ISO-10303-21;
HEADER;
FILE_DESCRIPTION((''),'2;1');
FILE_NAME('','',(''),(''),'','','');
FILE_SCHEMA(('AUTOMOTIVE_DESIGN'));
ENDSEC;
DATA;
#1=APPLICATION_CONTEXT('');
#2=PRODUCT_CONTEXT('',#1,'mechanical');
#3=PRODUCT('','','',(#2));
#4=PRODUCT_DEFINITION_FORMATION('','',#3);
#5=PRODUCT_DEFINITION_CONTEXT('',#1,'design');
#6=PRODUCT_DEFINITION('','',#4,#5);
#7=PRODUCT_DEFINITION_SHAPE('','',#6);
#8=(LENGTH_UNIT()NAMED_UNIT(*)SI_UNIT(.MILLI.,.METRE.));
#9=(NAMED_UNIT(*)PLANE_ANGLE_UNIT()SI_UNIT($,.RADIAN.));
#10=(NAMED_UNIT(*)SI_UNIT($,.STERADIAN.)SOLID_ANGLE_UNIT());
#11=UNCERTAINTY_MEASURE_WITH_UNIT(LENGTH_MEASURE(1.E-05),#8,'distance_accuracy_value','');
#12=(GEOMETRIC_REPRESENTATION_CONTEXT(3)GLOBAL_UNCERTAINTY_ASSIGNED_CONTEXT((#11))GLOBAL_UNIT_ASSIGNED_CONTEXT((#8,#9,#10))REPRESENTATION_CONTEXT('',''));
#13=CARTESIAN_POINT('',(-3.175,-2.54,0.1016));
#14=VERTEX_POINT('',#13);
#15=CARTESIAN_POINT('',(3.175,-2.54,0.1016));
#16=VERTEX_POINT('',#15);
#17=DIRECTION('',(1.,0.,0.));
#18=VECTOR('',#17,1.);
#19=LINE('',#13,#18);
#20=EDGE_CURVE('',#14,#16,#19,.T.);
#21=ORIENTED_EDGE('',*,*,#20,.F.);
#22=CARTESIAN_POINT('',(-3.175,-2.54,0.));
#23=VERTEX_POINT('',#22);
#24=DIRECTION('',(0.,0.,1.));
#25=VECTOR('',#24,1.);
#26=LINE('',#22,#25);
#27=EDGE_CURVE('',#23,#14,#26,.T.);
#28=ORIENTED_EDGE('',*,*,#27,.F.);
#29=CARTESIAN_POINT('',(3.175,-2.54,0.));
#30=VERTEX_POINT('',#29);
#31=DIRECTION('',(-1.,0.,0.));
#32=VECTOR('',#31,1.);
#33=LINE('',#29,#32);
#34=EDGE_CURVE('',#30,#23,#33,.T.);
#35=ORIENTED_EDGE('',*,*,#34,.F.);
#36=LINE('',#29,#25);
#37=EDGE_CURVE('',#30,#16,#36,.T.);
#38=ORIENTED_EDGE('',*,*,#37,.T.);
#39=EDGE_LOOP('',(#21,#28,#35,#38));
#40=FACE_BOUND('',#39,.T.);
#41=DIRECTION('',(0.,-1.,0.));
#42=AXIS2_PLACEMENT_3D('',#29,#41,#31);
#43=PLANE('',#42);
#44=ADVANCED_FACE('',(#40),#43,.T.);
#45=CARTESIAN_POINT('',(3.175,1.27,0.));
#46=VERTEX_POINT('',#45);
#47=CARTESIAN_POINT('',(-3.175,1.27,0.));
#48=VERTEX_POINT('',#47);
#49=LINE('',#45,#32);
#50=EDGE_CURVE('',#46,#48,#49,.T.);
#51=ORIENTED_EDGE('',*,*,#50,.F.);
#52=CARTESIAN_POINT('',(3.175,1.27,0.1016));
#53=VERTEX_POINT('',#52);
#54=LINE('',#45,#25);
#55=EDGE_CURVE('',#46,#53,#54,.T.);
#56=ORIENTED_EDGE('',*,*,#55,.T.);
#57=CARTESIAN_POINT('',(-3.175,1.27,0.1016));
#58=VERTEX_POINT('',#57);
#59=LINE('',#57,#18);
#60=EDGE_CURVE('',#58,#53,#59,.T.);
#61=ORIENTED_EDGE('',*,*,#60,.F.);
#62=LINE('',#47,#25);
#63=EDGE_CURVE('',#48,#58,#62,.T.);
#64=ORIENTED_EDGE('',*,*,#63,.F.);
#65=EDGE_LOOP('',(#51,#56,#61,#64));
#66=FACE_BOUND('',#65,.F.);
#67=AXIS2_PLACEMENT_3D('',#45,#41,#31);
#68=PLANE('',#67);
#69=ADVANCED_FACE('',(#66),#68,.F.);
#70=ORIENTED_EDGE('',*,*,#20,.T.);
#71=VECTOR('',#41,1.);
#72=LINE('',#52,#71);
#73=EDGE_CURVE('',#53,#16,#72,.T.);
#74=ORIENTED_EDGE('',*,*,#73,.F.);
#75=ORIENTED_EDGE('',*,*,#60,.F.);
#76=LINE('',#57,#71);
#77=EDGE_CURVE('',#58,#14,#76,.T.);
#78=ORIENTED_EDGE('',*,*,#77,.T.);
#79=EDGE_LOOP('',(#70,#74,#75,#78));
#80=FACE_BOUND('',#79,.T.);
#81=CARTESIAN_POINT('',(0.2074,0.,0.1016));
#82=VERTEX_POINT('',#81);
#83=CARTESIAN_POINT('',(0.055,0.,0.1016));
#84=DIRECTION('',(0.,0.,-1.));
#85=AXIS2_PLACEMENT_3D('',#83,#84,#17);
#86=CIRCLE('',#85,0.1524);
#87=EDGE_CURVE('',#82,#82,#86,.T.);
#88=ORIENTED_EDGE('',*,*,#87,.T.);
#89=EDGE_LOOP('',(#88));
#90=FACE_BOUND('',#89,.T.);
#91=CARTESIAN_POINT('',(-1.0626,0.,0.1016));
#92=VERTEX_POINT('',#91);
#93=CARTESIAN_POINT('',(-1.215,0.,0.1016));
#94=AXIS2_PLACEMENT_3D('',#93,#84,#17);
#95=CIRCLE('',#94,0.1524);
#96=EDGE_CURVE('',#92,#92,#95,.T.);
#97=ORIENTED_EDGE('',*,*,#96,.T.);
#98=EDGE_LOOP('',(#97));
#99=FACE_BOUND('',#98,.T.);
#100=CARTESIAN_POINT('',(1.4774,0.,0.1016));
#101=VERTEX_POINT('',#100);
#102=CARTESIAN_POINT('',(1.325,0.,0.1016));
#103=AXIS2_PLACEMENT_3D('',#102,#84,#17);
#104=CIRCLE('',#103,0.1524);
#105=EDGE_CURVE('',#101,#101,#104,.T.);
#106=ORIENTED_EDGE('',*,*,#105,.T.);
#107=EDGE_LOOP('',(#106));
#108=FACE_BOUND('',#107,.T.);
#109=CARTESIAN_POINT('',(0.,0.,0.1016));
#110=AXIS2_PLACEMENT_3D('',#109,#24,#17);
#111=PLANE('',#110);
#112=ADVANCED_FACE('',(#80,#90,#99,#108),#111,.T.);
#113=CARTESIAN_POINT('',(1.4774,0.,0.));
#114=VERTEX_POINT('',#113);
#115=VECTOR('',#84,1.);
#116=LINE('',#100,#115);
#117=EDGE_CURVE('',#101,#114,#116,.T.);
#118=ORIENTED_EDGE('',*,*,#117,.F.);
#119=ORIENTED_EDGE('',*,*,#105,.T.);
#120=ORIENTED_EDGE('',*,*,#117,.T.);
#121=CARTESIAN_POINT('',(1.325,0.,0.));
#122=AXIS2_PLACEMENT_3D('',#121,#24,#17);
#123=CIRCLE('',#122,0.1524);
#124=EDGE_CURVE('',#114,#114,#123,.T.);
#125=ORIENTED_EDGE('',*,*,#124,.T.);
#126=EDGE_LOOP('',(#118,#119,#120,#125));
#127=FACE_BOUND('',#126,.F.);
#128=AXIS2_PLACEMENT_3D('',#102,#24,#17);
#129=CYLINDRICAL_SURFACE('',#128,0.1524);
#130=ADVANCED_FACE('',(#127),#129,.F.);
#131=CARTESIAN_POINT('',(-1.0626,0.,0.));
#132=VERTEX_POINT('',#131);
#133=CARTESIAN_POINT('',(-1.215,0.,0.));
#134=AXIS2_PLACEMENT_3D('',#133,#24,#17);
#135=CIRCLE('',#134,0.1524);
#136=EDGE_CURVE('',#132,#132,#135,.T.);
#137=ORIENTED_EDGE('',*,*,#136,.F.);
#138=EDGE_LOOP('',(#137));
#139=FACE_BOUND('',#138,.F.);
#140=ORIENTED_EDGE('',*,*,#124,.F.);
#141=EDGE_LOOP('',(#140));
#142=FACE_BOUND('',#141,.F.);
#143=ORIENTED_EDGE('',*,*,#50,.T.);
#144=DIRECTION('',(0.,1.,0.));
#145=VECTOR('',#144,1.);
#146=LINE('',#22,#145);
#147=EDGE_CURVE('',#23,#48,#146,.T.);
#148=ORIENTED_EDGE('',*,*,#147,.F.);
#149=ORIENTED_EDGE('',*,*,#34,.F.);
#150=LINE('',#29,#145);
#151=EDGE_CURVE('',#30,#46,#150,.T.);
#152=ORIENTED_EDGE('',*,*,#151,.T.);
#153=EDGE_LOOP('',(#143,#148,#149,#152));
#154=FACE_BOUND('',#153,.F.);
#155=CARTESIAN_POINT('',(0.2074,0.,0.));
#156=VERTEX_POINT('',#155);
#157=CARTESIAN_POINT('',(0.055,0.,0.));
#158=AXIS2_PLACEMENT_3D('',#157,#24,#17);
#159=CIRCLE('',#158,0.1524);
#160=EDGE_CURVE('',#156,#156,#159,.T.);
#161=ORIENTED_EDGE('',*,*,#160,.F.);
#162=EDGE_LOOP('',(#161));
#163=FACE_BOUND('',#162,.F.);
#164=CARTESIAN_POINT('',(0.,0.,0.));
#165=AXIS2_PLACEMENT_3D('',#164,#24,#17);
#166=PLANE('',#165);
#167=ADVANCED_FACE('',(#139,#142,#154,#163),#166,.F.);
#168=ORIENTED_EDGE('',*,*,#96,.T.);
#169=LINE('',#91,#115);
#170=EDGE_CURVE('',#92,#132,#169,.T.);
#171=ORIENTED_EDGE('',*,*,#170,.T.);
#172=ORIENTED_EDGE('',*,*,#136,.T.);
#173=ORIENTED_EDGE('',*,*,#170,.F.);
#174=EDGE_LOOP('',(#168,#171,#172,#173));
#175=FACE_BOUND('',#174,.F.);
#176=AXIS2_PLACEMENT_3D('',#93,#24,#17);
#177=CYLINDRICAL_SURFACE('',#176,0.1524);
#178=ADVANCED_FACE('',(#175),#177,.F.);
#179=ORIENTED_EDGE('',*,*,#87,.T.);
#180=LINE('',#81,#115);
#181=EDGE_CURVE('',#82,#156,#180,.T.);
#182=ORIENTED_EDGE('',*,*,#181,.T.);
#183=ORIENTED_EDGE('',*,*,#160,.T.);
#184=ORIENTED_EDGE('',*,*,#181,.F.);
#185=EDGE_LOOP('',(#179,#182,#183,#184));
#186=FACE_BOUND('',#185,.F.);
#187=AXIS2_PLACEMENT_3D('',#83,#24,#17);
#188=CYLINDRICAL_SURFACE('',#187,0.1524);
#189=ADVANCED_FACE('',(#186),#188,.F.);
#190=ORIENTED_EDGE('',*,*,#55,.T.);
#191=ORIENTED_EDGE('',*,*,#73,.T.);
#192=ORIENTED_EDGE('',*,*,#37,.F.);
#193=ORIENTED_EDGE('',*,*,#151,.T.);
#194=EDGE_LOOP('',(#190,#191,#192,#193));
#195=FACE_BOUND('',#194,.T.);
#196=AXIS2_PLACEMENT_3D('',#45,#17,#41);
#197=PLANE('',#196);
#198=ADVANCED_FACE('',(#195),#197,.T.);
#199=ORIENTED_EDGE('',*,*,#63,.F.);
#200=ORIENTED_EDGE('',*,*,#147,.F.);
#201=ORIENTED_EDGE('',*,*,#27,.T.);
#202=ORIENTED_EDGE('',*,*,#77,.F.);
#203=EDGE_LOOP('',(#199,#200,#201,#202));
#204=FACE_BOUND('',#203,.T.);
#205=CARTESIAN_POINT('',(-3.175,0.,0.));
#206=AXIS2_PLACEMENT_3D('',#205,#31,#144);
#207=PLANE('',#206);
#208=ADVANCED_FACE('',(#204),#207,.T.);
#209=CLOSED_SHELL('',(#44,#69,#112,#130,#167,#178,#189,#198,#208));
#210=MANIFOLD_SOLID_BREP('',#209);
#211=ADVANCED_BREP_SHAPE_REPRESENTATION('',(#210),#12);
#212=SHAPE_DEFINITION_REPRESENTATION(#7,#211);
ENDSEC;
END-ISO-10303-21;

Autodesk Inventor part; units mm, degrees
ref_plane "YZ Plane" through (0, 0, 0) normal (1, 0, 0) x (0, 1, 0)
ref_plane "XZ Plane" through (0, 0, 0) normal (0, 1, 0) x (-1, 0, 0)
ref_plane "XY Plane" through (0, 0, 0) normal (0, 0, 1) x (1, 0, 0)
sketch "Sketch1" plane through (0, 0, 0) normal (0, 0, 1) x (1, 0, 0)
  line L0 (3.175, 1.27) -> (3.175, -2.54)
  line L1 (3.175, -2.54) -> (-3.175, -2.54)
  line L2 (-3.175, -2.54) -> (-3.175, 1.27)
  line L3 (-4.445, 0) -> (4.445, 0) projected
  line L4 (3.175, 1.27) -> (-3.175, 1.27)
  line L5 (0, -3.302) -> (0, 2.032) projected
  point P0 (0, 0)
  dimension "d0" = 6.35
  dimension "d12" = 2.54
  dimension "d14" = 1.27
extrude "Extrusion1" add sketch "Sketch1" along normal blind 0.1016
sketch "Sketch2" plane through (0, 0, 0.1016) normal (0, 0, 1) x (1, 0, 0)
  line L0 (-4.445, 0) -> (4.445, 0) projected
  line L1 (0, -3.302) -> (0, 2.032) projected
  line L2 (-3.175, -2.54) -> (3.175, -2.54) projected
  line L3 (3.175, -2.54) -> (3.175, 1.27) projected
  line L4 (-3.175, 1.27) -> (-3.175, -2.54) projected
  circle A0 centre (1.325, 0) radius 0.1524
  line L5 (3.175, 1.27) -> (-3.175, 1.27) projected
  point P0 (0, 0)
  dimension "d4" = 0.3048
  dimension "d5" = 1.85
extrude "Extrusion2" cut sketch "Sketch2" against normal through all contours A0 L0 | L0 A0
pattern_linear "Rectangular Pattern1" count 3 spacing 1.27 along (-1, 0, 0) of "Extrusion2"
equation "\"BendRadius\" = Thickness"
equation "\"BendReliefWidth\" = Thickness"
equation "\"BendReliefDepth\" = 0.5 * Thickness"
equation "\"CornerReliefSize\" = 4 * Thickness"
equation "\"MinimumRemnant\" = 2 * Thickness"
equation "\"TransitionRadius\" = BendRadius"
equation "\"JacobiRadiusSize\" = BendRadius"
equation "\"GapSize\" = Thickness"
equation "\"Thickness\" = 3.048"
properties part number "KaptonReedNozzleSheet"
